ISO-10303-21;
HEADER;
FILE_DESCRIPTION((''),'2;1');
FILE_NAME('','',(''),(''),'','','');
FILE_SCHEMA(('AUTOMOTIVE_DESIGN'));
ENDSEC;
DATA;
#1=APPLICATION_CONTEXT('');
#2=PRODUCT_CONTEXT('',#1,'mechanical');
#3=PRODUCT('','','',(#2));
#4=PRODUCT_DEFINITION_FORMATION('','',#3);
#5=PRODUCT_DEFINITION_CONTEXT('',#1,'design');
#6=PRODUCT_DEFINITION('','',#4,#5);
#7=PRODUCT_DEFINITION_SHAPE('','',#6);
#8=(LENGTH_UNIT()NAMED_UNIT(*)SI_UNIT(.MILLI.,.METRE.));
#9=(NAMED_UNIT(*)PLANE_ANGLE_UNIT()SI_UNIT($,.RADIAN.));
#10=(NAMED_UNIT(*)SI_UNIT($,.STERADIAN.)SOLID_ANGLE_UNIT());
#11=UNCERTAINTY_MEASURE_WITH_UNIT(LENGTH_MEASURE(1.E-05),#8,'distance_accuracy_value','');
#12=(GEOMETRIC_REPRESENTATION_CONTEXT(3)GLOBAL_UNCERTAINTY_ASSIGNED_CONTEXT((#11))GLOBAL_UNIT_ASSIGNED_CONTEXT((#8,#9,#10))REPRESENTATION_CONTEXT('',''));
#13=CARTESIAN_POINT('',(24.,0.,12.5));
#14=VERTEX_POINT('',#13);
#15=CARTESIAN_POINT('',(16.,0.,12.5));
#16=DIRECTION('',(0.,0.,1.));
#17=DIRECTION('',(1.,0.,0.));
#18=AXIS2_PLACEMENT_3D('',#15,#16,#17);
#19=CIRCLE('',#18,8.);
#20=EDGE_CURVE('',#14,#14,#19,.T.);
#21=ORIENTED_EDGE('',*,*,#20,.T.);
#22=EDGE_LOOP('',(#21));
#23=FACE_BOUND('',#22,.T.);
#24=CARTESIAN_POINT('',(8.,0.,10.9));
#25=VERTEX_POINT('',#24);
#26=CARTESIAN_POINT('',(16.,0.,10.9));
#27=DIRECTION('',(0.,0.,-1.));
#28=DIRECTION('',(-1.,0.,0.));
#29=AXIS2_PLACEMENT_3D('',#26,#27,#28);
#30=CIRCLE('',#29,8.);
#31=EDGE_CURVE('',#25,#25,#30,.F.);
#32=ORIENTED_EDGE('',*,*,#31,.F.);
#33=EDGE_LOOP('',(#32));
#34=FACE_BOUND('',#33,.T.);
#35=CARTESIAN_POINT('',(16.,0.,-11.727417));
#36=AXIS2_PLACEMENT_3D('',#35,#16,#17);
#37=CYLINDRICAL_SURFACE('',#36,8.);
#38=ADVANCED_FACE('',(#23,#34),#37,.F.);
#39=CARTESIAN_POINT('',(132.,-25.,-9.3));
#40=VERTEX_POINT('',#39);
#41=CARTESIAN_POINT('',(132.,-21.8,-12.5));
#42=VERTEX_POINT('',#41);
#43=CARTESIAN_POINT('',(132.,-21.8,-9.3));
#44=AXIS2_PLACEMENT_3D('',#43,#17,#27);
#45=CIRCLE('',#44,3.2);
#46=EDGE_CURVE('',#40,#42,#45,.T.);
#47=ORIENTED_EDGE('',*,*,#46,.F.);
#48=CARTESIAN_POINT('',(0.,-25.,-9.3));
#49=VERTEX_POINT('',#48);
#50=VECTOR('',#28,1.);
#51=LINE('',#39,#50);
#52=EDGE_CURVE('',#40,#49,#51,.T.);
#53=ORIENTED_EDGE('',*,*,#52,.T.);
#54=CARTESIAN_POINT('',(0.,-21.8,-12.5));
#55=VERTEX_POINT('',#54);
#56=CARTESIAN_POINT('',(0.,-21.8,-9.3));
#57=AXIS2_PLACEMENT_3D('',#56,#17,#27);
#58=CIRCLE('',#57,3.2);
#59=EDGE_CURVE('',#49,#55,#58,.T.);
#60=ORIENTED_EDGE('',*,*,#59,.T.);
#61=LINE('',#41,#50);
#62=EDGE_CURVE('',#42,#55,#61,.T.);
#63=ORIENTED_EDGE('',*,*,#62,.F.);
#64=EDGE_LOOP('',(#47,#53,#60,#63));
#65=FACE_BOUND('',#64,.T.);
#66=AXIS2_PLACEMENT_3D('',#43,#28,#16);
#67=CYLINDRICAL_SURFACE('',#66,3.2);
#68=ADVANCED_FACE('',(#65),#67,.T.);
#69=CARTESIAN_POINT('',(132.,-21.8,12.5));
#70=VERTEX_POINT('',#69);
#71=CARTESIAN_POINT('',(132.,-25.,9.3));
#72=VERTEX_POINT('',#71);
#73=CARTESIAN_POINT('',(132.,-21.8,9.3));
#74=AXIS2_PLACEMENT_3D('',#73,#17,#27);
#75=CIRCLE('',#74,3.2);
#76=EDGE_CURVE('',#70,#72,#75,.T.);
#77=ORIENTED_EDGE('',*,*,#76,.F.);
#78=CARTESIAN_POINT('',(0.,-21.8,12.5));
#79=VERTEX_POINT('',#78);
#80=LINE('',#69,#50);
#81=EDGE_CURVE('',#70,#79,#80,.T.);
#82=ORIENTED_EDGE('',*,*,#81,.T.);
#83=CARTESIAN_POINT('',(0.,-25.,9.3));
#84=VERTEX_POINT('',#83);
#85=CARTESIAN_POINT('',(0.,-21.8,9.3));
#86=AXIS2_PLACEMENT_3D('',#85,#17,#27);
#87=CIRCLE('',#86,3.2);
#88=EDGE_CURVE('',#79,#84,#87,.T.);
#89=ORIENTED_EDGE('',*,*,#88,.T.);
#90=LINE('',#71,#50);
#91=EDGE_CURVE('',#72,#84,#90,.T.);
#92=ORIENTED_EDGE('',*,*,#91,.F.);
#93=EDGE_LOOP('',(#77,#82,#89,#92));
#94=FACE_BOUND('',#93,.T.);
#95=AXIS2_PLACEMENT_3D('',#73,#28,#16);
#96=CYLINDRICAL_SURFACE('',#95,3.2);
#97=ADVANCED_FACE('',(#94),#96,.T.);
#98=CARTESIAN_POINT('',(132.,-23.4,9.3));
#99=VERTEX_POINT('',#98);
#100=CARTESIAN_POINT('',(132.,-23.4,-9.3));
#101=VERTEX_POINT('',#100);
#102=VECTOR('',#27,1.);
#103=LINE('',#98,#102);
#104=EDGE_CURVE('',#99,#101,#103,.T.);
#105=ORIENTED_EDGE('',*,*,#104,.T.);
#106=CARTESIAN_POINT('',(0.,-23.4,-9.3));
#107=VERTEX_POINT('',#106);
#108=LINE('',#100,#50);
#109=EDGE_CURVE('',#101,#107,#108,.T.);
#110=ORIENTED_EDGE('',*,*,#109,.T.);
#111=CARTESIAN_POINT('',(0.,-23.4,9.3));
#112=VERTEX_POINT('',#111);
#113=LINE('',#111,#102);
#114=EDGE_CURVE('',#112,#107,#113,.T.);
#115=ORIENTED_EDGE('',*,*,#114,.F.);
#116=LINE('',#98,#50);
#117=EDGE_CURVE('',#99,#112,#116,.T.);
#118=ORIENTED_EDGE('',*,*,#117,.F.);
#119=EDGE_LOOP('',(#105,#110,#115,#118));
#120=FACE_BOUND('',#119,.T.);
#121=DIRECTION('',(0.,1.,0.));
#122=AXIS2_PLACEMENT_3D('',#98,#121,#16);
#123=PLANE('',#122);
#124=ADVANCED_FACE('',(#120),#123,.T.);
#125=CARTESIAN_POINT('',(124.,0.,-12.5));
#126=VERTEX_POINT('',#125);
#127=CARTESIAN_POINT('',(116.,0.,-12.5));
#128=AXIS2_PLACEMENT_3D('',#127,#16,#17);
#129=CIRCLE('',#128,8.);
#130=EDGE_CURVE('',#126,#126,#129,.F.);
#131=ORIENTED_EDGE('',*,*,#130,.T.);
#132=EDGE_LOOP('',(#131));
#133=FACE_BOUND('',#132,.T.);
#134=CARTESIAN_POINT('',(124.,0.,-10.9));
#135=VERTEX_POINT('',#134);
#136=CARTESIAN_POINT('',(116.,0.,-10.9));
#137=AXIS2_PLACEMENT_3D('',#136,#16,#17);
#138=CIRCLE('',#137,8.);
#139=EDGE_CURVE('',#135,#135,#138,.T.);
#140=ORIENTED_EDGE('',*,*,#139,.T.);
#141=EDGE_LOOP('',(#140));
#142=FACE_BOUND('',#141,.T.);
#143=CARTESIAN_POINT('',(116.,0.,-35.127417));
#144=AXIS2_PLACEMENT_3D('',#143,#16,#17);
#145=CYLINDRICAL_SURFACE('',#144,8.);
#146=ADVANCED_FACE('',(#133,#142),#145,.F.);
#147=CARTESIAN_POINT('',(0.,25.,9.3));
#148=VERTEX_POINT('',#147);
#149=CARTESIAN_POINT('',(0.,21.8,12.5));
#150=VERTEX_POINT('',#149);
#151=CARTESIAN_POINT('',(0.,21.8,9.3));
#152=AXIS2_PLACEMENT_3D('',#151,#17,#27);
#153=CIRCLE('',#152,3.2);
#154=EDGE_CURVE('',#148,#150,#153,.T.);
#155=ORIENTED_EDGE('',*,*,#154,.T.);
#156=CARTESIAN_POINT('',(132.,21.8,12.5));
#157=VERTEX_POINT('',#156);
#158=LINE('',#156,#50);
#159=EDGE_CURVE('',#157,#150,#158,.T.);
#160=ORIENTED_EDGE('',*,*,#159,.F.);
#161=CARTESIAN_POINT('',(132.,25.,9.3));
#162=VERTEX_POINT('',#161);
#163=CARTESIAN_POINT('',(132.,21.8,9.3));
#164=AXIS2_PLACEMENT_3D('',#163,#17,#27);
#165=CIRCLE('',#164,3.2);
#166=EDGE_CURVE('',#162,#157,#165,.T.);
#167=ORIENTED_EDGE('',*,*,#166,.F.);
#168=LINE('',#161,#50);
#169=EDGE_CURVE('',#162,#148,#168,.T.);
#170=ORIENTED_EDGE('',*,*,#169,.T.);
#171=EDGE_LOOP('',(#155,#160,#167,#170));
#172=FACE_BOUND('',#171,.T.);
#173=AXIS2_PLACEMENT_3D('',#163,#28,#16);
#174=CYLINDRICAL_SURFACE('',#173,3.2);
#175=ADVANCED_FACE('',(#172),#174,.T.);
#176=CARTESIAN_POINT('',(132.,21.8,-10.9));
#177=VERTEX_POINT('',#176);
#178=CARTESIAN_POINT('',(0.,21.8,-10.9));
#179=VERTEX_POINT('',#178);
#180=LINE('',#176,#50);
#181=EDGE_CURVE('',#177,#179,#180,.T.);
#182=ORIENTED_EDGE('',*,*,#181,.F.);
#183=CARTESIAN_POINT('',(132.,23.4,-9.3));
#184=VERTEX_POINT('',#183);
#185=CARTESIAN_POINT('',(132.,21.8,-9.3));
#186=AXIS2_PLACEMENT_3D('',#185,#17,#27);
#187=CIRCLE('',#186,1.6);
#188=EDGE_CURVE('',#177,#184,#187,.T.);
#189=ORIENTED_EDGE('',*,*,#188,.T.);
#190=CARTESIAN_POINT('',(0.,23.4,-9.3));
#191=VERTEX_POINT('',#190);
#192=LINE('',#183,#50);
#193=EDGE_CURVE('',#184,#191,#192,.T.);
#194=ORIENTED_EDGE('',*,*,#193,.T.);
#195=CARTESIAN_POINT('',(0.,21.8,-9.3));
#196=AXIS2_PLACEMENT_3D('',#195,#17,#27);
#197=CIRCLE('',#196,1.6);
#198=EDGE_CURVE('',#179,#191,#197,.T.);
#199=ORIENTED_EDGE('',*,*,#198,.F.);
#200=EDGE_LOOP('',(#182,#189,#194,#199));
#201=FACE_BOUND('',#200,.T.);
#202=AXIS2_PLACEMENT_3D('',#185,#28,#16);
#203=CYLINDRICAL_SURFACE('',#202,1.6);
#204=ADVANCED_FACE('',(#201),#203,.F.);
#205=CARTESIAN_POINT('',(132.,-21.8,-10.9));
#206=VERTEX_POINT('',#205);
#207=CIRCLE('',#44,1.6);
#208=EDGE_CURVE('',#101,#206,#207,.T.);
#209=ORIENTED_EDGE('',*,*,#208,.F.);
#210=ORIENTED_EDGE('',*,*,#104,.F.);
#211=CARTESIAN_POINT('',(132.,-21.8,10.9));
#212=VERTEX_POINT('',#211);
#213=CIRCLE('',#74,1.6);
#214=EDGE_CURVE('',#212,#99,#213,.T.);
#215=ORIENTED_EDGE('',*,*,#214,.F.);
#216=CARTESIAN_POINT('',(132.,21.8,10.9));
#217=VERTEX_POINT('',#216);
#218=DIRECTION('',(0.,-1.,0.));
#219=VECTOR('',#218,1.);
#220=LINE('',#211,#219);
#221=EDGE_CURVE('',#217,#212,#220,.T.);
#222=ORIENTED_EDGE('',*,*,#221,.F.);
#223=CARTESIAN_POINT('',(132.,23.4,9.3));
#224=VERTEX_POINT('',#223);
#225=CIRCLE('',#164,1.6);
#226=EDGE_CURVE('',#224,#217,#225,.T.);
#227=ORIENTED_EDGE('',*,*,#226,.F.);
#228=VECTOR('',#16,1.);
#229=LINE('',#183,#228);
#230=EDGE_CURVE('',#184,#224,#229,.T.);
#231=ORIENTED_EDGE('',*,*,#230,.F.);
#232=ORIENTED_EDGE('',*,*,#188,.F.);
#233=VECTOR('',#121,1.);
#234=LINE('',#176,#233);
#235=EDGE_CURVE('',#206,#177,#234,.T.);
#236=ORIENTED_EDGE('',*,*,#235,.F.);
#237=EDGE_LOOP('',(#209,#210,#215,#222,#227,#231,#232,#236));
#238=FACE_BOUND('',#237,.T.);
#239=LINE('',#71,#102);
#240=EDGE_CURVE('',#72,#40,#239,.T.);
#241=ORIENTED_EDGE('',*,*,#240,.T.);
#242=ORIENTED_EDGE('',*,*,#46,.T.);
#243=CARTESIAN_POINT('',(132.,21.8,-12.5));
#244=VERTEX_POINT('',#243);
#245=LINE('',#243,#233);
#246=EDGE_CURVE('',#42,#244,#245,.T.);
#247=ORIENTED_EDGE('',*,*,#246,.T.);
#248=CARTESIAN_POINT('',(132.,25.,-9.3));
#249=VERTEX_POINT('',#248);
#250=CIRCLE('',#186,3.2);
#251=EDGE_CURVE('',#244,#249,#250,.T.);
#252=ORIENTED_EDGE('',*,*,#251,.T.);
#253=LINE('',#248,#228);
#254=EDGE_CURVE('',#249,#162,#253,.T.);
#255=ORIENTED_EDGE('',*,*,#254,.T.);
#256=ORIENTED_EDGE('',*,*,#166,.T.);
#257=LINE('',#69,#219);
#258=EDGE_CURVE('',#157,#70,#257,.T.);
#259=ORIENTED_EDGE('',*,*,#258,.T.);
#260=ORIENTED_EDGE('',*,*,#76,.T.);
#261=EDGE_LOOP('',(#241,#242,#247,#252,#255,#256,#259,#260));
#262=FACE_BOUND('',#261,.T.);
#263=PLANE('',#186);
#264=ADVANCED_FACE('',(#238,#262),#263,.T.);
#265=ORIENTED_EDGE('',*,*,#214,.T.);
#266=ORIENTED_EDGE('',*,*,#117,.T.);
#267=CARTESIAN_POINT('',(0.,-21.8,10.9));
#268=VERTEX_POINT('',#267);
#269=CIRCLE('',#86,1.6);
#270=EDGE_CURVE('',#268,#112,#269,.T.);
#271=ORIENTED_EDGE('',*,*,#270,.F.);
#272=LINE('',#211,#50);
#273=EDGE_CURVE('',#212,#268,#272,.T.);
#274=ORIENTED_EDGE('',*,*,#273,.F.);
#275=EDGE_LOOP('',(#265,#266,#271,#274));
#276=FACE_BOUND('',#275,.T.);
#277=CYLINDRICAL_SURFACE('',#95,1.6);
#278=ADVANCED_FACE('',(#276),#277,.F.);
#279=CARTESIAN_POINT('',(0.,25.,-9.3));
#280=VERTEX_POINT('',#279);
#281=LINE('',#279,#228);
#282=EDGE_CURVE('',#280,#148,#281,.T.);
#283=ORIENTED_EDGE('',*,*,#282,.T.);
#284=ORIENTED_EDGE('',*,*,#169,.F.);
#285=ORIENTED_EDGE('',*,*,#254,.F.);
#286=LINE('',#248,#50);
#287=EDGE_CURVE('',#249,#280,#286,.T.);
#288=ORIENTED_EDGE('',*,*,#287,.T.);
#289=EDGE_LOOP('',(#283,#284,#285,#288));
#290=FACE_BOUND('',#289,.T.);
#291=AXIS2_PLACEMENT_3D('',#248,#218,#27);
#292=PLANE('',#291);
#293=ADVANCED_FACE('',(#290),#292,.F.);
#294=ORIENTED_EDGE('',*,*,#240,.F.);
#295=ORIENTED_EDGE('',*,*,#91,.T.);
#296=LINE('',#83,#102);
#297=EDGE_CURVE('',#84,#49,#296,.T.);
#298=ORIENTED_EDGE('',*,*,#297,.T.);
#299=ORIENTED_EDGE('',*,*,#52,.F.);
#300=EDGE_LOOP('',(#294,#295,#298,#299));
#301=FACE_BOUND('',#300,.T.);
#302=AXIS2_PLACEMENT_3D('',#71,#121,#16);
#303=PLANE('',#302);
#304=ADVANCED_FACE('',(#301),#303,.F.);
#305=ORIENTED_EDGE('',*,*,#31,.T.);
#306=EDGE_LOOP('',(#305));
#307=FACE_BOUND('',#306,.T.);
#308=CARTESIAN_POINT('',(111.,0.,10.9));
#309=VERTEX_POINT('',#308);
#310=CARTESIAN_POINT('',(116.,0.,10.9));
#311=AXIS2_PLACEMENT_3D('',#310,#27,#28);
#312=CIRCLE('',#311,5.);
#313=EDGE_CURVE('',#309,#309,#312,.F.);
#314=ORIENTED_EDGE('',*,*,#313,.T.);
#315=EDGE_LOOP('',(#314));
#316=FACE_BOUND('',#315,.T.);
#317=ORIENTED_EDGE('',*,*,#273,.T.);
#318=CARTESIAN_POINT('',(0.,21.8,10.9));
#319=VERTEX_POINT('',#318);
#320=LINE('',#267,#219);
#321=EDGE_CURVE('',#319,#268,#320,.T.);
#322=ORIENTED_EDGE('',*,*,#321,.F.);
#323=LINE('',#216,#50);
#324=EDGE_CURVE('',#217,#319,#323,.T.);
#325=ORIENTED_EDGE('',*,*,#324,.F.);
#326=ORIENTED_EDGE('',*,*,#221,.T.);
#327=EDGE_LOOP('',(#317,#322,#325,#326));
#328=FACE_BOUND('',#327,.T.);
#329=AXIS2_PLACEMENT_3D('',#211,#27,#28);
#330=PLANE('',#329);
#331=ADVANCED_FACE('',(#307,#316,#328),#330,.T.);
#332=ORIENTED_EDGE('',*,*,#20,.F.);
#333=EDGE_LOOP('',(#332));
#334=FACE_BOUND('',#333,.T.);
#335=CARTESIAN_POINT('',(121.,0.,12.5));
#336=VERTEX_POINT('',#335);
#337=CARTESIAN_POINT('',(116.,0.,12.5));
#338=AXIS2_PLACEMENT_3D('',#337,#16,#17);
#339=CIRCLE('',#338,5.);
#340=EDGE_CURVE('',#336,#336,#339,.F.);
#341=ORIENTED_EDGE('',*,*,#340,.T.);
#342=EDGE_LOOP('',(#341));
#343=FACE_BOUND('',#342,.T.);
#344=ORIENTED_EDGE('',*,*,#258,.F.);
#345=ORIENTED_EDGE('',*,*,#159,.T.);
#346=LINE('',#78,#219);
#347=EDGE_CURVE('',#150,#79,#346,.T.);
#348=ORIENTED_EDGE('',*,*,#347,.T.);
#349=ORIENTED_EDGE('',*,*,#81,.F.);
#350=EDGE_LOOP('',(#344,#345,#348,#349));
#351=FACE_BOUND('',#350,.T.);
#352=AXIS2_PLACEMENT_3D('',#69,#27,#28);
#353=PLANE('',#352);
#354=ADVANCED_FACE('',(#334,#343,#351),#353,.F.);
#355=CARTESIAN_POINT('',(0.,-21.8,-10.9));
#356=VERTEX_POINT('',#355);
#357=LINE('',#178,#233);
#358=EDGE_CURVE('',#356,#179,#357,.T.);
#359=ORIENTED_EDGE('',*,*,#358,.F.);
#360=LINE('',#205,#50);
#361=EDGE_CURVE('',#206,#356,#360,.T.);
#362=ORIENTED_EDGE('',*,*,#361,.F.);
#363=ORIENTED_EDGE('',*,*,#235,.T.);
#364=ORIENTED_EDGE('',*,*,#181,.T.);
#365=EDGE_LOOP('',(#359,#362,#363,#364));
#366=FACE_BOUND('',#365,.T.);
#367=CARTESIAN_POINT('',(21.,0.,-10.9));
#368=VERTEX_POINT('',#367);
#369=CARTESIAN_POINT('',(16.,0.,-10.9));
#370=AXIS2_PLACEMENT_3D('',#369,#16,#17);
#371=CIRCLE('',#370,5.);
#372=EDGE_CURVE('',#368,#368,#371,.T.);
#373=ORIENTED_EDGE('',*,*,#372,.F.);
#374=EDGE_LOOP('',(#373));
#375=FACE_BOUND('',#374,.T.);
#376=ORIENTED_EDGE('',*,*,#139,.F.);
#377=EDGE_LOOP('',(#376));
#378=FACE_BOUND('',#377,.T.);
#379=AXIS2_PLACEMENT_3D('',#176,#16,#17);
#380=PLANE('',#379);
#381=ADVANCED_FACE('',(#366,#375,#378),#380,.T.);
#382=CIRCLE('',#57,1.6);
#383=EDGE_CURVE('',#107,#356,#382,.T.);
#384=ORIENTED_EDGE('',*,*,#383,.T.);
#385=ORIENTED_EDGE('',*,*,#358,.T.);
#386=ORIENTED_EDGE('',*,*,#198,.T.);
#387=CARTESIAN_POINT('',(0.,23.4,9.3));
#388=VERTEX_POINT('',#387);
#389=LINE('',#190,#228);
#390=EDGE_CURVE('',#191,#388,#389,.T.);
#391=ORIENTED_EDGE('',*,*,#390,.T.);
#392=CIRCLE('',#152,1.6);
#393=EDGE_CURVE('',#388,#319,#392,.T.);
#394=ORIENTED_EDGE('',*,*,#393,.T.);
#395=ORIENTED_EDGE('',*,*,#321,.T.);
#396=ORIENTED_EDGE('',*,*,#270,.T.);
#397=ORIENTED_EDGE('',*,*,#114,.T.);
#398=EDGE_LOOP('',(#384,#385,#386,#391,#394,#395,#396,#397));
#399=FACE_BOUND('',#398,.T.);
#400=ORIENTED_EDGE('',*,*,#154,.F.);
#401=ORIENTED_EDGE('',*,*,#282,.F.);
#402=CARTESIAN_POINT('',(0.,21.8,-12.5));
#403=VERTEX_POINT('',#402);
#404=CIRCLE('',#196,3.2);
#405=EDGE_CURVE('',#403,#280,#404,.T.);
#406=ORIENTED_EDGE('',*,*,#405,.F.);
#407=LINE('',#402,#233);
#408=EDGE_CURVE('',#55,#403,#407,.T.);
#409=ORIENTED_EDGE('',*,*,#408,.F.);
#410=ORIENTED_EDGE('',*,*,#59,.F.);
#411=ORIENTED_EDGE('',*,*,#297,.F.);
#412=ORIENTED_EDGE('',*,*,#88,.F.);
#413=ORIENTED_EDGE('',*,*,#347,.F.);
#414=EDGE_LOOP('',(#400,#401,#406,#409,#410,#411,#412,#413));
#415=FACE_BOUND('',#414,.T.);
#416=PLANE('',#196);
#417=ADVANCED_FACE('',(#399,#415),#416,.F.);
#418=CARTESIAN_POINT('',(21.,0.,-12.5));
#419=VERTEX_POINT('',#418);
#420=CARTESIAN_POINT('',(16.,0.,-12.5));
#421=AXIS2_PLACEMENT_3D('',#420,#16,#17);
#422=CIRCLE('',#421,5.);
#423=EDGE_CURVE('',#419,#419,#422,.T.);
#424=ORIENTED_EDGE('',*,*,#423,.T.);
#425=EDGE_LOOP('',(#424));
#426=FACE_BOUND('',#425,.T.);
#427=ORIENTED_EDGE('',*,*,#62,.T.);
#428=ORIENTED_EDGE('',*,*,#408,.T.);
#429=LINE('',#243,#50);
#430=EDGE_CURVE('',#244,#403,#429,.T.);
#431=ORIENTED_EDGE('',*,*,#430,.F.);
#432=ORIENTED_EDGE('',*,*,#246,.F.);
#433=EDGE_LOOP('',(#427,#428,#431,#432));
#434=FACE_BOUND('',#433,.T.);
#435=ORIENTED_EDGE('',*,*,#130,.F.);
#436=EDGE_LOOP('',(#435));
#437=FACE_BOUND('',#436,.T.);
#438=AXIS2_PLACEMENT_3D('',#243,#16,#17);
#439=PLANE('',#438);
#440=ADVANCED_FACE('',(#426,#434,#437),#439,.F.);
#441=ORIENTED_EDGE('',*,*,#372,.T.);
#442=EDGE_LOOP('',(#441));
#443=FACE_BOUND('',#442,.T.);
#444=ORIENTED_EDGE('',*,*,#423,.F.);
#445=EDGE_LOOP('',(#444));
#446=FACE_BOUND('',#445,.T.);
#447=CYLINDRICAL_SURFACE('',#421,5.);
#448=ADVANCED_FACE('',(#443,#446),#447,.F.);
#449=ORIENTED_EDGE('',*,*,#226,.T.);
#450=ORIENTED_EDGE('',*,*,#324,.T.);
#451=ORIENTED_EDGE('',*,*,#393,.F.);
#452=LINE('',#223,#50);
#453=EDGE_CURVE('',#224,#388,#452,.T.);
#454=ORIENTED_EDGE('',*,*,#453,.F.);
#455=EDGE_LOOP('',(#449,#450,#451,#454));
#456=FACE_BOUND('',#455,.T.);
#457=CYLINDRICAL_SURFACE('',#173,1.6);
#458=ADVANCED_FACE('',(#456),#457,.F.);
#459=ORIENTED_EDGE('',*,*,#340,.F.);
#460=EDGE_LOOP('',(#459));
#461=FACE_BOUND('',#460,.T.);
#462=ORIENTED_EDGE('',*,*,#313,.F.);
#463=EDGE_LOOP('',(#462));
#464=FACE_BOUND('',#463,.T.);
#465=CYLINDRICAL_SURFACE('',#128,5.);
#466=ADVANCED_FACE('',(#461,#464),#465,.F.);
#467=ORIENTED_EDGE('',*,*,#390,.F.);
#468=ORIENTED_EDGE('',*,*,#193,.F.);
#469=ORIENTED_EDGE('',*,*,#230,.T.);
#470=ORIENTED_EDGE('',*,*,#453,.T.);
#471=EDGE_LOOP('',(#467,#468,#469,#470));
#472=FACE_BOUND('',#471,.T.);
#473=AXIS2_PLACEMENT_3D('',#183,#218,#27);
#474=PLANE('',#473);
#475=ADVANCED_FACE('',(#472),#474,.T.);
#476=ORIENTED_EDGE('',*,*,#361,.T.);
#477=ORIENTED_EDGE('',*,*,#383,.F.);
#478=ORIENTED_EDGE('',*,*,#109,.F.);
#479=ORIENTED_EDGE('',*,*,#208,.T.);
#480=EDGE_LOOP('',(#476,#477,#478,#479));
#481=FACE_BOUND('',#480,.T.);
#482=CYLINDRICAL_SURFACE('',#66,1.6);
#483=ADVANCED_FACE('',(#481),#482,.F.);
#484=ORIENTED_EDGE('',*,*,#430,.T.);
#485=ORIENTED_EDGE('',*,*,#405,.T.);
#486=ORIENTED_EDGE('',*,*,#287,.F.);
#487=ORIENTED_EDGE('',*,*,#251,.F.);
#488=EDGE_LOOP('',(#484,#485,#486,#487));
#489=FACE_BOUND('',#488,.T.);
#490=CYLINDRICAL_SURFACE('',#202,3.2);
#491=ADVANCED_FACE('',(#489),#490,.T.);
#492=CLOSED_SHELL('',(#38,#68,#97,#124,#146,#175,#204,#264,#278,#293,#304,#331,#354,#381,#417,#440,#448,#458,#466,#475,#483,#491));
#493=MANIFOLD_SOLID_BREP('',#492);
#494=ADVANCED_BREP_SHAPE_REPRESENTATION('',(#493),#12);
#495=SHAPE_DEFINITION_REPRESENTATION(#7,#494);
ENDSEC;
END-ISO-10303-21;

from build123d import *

# Parameters (mm, degrees)
RECTANGULAR_TUBE_2_50_X_25_X_1_6_1_DEPTH = 132
SKETCH2_R                                = 5
CUT_EXTRUDE1_DEPTH                       = 137.65284483
SKETCH2_3_R                              = 8
SKETCH2_3_R_2                            = 5
CUT_EXTRUDE2_DEPTH                       = 1.6
CUT_EXTRUDE5_START                       = -23.4
SKETCH2_4_R                              = 8
SKETCH2_4_R_2                            = 5
CUT_EXTRUDE5_DEPTH                       = 1.6


with BuildPart() as part:
    # Sketch14 → Rectangular tube 2 50 X 25 X 1.6(1) (new body)
    with BuildSketch(Plane(origin=(0, 0, 0), x_dir=(0, 0, -1), z_dir=(1, 0, 0))):
        with BuildLine():
            Line((-9.3, -25), (9.3, -25))
            ThreePointArc((9.3, -25), (11.5627417, -24.0627417), (12.5, -21.8))
            Line((12.5, -21.8), (12.5, 21.8))
            ThreePointArc((12.5, 21.8), (11.5627417, 24.0627417), (9.3, 25))
            Line((9.3, 25), (-9.3, 25))
            ThreePointArc((-9.3, 25), (-11.5627417, 24.0627417), (-12.5, 21.8))
            Line((-12.5, 21.8), (-12.5, -21.8))
            ThreePointArc((-12.5, -21.8), (-11.5627417, -24.0627417), (-9.3, -25))
        make_face()
        with BuildLine():
            Line((-9.3, -23.4), (9.3, -23.4))
            ThreePointArc((9.3, -23.4), (10.43137085, -22.93137085), (10.9, -21.8))
            Line((10.9, -21.8), (10.9, 21.8))
            ThreePointArc((10.9, 21.8), (10.43137085, 22.93137085), (9.3, 23.4))
            Line((9.3, 23.4), (-9.3, 23.4))
            ThreePointArc((-9.3, 23.4), (-10.43137085, 22.93137085), (-10.9, 21.8))
            Line((-10.9, 21.8), (-10.9, -21.8))
            ThreePointArc((-10.9, -21.8), (-10.43137085, -22.93137085), (-9.3, -23.4))
        make_face(mode=Mode.SUBTRACT)
    extrude(amount=RECTANGULAR_TUBE_2_50_X_25_X_1_6_1_DEPTH)

    # Sketch2 → Cut-Extrude1 (cut, through all)
    with BuildSketch(Plane.XY.offset(12.5)):
        with Locations((16, 0)):
            Circle(SKETCH2_R)
        with Locations((116, 0)):
            Circle(SKETCH2_R)
    extrude(amount=-CUT_EXTRUDE1_DEPTH, mode=Mode.SUBTRACT)

    # Sketch2<3> → Cut-Extrude2 (cut)
    # profile 1 of 2: a face of its own
    with BuildSketch(Plane.XY.offset(12.5)):
        with Locations((16, 0)):
            Circle(SKETCH2_3_R)
        with Locations((16, 0)):
            Circle(SKETCH2_3_R_2, mode=Mode.SUBTRACT)
    # profile 2 of 2: a face of its own
    with BuildSketch(Plane.XY.offset(12.5)):
        with Locations((16, 0)):
            Circle(SKETCH2_3_R_2)
    extrude(amount=-CUT_EXTRUDE2_DEPTH, mode=Mode.SUBTRACT)

    # Sketch2<4> → Cut-Extrude5 (cut)
    # profile 1 of 2: a face of its own
    with BuildSketch(Plane.XY.offset(12.5).offset(CUT_EXTRUDE5_START)):
        with Locations((116, 0)):
            Circle(SKETCH2_4_R)
        with Locations((116, 0)):
            Circle(SKETCH2_4_R_2, mode=Mode.SUBTRACT)
    # profile 2 of 2: a face of its own
    with BuildSketch(Plane.XY.offset(12.5).offset(CUT_EXTRUDE5_START)):
        with Locations((116, 0)):
            Circle(SKETCH2_4_R_2)
    extrude(amount=-CUT_EXTRUDE5_DEPTH, mode=Mode.SUBTRACT)


solid = part.part
